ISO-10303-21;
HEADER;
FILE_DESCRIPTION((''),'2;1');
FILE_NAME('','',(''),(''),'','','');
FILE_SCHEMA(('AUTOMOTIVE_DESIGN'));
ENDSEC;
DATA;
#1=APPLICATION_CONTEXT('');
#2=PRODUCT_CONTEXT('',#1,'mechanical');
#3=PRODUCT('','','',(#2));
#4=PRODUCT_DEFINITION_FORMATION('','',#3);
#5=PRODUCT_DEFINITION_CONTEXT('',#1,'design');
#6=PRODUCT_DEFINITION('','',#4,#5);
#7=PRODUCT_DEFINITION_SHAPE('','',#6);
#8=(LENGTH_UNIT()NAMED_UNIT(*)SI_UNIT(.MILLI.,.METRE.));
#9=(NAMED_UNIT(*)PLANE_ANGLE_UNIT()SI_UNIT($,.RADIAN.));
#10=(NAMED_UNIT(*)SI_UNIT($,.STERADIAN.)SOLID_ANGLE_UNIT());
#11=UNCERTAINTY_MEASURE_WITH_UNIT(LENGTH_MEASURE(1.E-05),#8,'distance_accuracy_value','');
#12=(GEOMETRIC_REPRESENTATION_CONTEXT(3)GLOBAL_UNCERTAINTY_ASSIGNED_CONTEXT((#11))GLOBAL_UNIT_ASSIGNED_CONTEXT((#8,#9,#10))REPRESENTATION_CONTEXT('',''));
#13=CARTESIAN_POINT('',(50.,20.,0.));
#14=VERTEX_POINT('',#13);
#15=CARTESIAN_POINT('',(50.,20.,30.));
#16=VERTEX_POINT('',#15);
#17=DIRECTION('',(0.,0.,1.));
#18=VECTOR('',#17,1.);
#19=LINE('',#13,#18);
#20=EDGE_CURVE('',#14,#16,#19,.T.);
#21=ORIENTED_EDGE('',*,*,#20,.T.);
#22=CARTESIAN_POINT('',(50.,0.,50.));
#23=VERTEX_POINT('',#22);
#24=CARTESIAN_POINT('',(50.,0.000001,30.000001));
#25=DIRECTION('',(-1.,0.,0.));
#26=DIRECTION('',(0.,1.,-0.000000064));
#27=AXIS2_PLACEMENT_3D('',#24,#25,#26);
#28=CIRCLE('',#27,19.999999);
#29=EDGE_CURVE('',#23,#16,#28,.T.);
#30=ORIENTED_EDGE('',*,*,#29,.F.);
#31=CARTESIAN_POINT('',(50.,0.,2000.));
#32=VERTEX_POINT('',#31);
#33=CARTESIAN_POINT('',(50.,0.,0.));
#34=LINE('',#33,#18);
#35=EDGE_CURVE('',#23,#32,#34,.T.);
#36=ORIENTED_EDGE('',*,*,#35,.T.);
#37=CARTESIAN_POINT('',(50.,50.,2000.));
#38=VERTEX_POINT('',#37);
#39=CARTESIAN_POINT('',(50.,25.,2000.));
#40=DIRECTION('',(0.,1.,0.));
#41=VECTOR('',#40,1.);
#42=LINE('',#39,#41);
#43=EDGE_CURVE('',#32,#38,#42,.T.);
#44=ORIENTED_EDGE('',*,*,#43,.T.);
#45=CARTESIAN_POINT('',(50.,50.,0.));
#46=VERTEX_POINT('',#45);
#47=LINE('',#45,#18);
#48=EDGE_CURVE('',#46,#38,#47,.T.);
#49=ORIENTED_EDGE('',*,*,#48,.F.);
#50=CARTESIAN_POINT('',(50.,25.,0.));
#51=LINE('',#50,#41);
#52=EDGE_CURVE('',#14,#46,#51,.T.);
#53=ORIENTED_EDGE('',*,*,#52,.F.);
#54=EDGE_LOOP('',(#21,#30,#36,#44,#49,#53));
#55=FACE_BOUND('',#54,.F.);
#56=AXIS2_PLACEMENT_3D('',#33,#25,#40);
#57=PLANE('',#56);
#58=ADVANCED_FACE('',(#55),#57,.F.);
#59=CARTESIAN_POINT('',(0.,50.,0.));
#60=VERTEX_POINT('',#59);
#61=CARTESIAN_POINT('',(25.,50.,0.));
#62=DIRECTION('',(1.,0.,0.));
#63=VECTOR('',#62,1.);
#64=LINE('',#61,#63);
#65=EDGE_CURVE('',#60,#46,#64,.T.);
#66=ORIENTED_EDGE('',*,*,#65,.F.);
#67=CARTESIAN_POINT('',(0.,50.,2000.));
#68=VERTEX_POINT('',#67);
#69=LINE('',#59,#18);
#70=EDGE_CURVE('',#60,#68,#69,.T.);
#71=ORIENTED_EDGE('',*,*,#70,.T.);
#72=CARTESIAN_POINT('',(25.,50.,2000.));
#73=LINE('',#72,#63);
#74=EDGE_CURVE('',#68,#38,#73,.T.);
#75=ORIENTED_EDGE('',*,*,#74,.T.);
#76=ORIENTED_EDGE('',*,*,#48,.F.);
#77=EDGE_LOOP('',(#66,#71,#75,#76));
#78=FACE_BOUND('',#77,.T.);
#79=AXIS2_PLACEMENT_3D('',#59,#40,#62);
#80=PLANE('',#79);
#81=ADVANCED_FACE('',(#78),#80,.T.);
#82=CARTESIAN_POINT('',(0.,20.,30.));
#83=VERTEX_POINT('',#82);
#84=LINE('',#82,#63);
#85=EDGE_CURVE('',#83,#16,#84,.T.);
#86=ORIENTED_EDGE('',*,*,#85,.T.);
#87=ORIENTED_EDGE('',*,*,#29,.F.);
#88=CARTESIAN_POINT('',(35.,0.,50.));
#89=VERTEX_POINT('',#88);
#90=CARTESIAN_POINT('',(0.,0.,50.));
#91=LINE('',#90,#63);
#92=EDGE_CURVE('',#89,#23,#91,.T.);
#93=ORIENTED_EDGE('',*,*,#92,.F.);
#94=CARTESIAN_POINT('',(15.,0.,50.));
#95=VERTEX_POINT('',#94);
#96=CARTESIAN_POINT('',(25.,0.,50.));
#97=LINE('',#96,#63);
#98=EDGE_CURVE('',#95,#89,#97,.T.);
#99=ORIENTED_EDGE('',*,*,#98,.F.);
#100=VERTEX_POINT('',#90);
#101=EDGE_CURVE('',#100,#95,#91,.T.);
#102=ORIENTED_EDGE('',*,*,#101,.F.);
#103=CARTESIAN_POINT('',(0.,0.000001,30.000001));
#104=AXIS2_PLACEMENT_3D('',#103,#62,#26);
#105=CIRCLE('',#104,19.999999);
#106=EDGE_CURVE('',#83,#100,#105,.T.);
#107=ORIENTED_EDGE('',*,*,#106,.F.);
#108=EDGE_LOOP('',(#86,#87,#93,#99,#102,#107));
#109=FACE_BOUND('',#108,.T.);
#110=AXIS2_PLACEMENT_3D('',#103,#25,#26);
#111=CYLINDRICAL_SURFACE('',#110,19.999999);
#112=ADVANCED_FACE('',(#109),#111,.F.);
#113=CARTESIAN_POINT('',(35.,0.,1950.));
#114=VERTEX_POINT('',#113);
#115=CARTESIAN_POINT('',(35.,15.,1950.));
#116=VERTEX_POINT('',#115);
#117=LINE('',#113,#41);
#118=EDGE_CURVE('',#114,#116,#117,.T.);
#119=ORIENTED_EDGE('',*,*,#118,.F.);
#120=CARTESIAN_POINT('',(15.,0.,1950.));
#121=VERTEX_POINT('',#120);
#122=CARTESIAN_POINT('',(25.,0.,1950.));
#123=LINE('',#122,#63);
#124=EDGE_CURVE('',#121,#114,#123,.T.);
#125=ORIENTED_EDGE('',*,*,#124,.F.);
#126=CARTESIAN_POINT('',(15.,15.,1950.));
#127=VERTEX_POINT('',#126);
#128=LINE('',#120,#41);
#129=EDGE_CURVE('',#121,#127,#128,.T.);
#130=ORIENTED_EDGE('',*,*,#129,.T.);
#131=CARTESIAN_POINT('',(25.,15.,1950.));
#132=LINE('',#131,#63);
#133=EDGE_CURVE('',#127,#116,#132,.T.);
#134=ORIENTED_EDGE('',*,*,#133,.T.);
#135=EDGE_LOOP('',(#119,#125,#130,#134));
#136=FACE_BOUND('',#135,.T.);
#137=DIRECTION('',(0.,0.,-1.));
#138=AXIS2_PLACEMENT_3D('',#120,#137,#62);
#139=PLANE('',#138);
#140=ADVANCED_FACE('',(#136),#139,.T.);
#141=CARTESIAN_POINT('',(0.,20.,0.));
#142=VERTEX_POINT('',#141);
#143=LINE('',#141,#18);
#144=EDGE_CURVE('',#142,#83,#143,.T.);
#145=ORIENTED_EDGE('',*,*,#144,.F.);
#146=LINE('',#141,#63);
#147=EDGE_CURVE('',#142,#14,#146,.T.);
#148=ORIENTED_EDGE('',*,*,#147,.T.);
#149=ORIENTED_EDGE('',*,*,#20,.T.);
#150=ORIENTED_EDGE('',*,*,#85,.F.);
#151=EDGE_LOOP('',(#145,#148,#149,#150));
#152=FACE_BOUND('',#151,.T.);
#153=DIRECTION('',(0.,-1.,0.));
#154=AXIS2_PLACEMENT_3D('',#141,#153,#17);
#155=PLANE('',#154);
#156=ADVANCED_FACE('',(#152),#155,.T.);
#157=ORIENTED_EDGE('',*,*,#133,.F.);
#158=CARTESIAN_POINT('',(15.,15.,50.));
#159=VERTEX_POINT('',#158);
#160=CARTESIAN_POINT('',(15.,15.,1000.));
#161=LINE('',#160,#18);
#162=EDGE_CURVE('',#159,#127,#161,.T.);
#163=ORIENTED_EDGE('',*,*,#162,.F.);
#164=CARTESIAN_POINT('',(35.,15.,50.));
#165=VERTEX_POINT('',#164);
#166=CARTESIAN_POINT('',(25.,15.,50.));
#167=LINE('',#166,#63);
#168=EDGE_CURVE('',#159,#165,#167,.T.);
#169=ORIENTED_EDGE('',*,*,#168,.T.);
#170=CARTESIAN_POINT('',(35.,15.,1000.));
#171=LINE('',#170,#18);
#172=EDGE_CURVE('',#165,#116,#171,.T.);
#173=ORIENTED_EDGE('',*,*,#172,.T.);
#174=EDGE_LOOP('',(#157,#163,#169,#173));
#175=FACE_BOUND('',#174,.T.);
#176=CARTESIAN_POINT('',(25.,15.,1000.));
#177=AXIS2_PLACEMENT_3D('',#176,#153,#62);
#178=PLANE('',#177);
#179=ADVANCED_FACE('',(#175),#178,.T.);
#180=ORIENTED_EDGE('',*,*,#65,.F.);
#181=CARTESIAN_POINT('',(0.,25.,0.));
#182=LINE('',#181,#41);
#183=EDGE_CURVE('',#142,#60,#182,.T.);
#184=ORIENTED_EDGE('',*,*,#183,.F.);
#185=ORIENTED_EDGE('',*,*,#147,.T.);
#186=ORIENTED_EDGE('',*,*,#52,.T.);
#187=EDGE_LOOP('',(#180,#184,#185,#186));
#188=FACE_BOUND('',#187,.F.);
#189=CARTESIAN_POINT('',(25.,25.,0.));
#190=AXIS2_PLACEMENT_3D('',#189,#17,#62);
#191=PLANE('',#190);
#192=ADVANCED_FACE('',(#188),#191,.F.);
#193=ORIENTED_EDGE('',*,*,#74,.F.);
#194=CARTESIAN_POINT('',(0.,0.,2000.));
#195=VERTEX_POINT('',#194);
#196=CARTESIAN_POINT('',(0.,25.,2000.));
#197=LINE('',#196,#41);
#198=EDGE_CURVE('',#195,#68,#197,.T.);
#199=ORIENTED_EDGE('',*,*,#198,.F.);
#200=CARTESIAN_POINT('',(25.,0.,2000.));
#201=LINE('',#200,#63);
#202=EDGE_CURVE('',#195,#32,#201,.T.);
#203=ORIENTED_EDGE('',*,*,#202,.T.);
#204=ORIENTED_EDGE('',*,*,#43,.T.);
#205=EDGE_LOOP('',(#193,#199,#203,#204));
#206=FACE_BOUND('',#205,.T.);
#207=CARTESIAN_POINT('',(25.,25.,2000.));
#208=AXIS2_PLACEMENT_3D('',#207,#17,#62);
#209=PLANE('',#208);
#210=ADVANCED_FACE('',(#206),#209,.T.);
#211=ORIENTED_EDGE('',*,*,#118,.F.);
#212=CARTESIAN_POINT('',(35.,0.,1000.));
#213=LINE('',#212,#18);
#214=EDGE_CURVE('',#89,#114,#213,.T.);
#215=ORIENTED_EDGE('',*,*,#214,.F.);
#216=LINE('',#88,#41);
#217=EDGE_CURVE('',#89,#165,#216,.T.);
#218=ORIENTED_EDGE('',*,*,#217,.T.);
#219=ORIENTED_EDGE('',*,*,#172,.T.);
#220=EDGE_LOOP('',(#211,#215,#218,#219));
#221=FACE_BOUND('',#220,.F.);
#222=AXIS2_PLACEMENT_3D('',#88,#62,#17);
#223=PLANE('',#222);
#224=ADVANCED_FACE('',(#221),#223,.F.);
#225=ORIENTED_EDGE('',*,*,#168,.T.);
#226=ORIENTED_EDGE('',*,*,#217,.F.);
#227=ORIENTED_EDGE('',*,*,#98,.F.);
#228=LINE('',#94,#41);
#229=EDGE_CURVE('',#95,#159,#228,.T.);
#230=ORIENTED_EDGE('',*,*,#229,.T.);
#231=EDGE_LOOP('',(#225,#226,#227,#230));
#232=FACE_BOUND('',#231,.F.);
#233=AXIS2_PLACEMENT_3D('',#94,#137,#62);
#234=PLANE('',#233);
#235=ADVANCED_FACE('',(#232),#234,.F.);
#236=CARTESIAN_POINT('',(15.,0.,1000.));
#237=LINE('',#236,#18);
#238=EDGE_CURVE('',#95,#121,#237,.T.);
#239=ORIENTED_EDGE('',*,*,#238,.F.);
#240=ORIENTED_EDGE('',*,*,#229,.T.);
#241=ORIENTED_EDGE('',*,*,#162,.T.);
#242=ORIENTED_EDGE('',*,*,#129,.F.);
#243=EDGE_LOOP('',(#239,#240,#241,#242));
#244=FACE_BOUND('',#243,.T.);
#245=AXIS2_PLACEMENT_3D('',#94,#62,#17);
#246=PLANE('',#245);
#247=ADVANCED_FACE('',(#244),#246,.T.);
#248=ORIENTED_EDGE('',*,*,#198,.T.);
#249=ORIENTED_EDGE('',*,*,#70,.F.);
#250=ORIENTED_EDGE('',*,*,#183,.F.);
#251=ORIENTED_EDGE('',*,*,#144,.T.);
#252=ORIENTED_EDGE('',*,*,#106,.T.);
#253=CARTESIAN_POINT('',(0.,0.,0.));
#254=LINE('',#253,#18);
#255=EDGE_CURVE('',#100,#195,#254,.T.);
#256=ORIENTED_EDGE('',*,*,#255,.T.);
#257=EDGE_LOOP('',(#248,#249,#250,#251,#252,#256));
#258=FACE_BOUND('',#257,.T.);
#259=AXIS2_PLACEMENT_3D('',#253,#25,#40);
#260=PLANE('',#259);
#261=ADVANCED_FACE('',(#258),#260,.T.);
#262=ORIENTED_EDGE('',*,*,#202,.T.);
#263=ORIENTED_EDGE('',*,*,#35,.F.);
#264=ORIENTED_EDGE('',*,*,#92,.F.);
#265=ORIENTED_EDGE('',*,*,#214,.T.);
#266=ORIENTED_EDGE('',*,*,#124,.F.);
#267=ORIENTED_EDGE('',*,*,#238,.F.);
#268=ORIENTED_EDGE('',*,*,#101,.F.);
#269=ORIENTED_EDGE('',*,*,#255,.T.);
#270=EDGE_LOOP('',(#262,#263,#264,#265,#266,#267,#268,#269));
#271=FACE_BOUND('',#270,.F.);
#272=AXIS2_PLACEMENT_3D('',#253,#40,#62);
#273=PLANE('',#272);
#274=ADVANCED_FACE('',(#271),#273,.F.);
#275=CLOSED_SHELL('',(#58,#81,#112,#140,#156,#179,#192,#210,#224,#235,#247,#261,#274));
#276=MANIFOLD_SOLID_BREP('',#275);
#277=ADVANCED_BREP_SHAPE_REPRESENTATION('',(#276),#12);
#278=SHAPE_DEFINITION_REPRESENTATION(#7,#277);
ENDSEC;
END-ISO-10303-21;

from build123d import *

# Parameters (mm, degrees)
F0_W     = 50
F0_H     = 50
F1_DEPTH = 2000
F2_W     = 20
F2_H     = 1900
F3_DEPTH = 15
F5_DEPTH = 50.001


with BuildPart() as f1:
    # F0 (on Top) → F1 (new body)
    with BuildSketch(Plane.XY):
        with Locations((25, 25)):
            Rectangle(F0_W, F0_H)
    extrude(amount=F1_DEPTH)

    # F2 (on Front) → F3 (cut)
    with BuildSketch(Plane.XZ):
        with Locations((25, 1000)):
            Rectangle(F2_W, F2_H)
    extrude(amount=-F3_DEPTH, mode=Mode.SUBTRACT)

    # F4 (on Right) → F5 (cut, through all)
    with BuildSketch(Plane.YZ):
        with BuildLine():
            Line((0, 50), (0, 0))
            Line((0, 0), (20, 0))
            Line((20, 0), (20, 30))
            ThreePointArc((20, 30), (14.142136, 44.142136), (0, 50))
        make_face()
    extrude(amount=F5_DEPTH, mode=Mode.SUBTRACT)


solid = f1.part
